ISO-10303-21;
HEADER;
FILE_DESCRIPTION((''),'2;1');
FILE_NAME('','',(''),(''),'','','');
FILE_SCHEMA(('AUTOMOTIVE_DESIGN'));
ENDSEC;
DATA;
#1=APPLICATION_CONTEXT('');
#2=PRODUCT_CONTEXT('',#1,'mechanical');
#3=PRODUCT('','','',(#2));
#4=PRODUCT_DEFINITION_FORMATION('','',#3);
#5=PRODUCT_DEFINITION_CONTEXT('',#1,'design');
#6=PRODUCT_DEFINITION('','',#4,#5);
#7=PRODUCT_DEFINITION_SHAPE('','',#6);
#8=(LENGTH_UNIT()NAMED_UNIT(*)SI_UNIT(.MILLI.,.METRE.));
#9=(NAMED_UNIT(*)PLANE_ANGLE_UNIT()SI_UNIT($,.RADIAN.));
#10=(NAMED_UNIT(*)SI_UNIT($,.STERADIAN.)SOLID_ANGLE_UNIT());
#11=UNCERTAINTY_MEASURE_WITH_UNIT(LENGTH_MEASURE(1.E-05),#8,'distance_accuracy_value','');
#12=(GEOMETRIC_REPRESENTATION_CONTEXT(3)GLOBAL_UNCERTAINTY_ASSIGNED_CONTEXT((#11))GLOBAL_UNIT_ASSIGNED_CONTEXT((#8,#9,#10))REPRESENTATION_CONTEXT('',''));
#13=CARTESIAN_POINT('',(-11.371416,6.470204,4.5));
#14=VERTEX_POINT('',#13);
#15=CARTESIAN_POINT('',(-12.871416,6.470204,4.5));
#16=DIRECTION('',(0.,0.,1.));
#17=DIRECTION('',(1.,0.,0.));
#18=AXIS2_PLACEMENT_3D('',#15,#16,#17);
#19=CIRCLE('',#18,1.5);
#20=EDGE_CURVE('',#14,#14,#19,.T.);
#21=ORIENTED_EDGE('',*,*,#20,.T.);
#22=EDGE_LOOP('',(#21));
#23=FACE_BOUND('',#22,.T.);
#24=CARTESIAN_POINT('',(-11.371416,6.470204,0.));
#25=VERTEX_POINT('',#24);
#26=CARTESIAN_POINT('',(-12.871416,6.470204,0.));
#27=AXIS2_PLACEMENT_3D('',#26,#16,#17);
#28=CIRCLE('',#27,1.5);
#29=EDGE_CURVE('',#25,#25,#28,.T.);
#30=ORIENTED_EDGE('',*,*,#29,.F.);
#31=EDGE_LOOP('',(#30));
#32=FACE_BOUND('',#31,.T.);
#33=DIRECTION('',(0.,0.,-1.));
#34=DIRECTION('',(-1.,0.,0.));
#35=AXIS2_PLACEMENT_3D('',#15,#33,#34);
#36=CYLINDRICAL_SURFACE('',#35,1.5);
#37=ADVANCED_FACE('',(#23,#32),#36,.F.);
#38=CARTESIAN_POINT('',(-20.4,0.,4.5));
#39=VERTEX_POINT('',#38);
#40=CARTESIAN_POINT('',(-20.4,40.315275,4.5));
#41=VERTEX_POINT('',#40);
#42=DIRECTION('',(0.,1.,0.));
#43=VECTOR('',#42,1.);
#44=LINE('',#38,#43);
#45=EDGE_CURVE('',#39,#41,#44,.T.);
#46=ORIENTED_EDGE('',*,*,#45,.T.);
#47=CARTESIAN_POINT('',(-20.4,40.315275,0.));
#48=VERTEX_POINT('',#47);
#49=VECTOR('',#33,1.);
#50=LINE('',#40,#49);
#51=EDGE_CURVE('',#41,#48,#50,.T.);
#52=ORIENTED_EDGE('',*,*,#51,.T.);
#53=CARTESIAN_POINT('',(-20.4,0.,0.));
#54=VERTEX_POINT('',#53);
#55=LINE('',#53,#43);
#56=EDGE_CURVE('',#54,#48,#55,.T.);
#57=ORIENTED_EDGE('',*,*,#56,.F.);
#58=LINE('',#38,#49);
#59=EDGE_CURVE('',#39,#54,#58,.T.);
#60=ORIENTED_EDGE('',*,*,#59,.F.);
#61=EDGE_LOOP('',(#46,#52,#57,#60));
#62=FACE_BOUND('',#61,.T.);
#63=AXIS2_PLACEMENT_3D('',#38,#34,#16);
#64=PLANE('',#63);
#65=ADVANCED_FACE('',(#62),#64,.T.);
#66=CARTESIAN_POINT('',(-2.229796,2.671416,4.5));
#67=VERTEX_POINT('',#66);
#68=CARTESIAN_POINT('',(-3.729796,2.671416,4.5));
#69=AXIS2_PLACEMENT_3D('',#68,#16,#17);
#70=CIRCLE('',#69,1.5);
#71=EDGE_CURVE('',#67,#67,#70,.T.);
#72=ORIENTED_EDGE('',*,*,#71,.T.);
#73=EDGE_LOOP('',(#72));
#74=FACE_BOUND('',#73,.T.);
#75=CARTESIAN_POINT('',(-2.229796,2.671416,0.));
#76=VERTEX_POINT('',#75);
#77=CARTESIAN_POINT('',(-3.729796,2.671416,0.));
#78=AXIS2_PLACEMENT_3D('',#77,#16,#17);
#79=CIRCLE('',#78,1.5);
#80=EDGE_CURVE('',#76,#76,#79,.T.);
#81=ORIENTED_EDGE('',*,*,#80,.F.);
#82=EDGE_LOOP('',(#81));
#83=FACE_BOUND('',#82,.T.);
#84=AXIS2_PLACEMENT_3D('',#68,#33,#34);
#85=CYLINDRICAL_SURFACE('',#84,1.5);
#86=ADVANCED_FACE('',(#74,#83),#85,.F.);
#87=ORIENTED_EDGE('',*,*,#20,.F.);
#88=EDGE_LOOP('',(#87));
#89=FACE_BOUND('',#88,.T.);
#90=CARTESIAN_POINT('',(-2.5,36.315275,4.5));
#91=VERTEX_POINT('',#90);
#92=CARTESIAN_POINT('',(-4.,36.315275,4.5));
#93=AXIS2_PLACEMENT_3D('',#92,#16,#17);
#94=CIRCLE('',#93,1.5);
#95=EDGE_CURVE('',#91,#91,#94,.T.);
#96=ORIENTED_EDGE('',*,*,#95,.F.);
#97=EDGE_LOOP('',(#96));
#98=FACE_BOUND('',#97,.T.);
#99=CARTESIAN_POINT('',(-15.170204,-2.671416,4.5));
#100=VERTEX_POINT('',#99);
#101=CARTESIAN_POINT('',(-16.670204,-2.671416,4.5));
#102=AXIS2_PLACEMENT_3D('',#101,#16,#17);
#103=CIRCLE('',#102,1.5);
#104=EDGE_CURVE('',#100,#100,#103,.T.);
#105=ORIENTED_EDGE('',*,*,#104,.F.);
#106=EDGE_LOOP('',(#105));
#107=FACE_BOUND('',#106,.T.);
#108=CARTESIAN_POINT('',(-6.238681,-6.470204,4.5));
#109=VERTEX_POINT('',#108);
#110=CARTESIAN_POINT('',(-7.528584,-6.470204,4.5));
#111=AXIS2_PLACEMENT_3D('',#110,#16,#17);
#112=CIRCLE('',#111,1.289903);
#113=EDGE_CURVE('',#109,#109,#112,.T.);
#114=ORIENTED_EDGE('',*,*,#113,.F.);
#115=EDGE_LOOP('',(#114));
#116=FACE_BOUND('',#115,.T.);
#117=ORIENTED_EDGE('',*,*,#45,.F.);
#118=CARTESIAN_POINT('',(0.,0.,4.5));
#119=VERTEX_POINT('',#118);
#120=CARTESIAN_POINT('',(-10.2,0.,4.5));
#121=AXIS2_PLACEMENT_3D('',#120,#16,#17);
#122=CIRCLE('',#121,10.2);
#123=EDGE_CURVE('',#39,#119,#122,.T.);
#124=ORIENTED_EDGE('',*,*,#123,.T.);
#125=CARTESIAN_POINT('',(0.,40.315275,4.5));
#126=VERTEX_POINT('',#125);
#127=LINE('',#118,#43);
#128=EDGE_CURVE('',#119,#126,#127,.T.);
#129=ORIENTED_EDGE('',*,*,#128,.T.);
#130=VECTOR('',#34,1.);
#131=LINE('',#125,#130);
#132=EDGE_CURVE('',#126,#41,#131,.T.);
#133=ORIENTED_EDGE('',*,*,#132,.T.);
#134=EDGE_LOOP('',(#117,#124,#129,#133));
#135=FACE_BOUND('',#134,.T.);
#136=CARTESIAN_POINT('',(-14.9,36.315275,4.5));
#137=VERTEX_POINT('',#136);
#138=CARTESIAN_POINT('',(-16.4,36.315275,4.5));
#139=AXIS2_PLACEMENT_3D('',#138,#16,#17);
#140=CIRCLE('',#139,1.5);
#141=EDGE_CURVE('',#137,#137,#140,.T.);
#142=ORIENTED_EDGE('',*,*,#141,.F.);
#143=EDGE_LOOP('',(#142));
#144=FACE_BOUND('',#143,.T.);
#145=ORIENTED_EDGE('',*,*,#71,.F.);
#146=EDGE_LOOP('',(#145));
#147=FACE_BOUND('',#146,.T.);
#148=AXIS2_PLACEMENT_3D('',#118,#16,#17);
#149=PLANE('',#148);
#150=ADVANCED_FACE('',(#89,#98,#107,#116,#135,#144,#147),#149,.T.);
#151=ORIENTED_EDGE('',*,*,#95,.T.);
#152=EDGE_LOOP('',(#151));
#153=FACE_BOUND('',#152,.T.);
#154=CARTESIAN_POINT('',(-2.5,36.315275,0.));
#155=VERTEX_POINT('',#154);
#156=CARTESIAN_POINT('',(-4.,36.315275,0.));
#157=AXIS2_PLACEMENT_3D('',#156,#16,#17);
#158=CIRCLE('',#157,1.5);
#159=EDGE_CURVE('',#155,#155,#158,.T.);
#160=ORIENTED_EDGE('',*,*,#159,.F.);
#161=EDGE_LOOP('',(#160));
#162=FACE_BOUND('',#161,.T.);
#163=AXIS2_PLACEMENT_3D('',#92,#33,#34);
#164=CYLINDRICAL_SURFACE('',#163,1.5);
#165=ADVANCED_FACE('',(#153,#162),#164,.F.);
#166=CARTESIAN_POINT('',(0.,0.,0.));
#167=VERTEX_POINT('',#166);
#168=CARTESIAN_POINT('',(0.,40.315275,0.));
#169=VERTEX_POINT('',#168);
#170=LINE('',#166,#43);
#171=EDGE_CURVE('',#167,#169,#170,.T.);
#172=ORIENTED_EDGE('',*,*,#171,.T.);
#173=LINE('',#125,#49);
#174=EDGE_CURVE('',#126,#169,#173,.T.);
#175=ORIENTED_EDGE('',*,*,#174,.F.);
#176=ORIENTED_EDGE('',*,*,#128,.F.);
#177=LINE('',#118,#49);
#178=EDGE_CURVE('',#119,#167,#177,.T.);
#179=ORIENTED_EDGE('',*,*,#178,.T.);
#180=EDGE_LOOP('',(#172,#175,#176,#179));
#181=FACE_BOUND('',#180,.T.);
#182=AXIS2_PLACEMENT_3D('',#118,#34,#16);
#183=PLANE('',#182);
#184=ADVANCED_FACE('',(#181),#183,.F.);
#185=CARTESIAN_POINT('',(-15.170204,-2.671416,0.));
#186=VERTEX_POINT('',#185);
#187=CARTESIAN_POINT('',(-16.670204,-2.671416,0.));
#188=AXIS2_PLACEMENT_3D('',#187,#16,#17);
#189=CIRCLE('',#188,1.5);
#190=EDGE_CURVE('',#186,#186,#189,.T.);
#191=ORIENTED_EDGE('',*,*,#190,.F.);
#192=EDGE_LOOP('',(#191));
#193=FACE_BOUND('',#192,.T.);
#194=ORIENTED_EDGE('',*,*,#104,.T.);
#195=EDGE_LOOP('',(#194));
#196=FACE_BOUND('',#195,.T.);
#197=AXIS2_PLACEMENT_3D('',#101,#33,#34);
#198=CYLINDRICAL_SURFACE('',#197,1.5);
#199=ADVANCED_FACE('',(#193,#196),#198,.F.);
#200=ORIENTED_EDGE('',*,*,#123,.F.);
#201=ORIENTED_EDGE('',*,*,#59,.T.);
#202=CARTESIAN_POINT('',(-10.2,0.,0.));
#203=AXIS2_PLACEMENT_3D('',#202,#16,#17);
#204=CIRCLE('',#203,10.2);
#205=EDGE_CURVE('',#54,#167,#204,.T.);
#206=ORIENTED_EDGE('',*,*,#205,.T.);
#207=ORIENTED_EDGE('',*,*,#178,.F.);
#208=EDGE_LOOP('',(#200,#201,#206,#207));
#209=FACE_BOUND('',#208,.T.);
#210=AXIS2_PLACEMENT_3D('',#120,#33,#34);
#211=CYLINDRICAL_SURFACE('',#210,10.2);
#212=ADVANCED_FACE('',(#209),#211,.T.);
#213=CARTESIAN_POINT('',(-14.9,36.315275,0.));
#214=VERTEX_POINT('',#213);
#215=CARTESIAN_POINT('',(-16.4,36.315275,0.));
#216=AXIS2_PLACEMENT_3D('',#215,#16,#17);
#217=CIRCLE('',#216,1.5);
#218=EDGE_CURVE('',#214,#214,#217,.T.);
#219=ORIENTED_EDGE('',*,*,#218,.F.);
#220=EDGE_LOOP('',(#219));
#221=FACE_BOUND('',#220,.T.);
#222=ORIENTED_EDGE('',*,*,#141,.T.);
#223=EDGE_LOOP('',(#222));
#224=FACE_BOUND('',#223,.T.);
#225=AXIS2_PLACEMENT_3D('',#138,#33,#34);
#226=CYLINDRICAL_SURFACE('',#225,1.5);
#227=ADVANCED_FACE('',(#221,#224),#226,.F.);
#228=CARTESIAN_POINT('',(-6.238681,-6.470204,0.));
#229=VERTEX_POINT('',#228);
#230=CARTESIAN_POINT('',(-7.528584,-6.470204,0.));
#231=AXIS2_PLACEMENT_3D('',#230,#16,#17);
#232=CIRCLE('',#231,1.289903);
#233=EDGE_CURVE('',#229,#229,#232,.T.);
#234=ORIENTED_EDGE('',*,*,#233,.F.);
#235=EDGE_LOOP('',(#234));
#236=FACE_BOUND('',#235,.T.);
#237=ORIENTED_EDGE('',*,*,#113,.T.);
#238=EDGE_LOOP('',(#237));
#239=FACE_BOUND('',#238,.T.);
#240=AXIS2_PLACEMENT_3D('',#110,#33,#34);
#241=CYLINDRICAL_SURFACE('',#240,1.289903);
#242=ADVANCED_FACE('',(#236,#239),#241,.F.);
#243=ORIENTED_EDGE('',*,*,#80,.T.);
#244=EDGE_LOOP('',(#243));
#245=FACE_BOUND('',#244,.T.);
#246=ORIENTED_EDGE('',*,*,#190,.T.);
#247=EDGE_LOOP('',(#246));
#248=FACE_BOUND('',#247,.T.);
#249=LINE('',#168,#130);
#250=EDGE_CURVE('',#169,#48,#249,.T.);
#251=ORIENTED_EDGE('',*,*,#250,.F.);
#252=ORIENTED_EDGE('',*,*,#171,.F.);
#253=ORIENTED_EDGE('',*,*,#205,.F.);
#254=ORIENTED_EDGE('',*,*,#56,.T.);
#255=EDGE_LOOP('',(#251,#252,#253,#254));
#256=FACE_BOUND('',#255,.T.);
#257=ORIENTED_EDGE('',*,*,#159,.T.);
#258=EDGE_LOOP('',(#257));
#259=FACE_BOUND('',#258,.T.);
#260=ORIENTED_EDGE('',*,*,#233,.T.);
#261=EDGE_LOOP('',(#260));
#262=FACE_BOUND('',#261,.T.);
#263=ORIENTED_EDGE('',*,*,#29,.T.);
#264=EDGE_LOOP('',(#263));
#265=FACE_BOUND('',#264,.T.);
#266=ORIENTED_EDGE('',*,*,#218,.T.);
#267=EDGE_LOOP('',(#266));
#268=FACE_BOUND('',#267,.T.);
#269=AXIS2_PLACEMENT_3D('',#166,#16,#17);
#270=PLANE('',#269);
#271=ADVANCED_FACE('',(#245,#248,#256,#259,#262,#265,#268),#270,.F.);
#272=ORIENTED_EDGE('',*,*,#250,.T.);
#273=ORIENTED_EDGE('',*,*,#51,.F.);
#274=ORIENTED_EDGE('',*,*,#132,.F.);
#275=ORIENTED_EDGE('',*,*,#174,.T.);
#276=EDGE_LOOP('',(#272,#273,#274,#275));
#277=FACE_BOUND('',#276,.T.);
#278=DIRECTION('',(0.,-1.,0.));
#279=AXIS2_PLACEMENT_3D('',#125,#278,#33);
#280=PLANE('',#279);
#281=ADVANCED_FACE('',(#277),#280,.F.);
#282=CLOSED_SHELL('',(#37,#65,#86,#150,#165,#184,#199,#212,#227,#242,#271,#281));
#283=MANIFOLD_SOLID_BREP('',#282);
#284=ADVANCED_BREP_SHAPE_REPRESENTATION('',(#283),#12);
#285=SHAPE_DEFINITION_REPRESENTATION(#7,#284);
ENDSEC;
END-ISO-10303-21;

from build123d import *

# Parameters (mm, degrees)
SKETCH1_R           = 1.5
SKETCH1_R_2         = 1.289902994
BOSS_EXTRUDE1_DEPTH = 4.5


with BuildPart() as part:
    # Sketch1 → Boss-Extrude1 (new body)
    # profile 1 of 3: a face of its own
    with BuildSketch(Plane.XY):
        with BuildLine():
            ThreePointArc((-20.4, 0), (-10.2, 10.2), (0, 0))
            Line((0, 0), (0, 40.315274694))
            Line((0, 40.315274694), (-20.4, 40.315274694))
            Line((-20.4, 40.315274694), (-20.4, 0))
        make_face()
        with Locations((-16.4, 36.315274694)):
            Circle(SKETCH1_R, mode=Mode.SUBTRACT)
        with Locations((-4, 36.315274694)):
            Circle(SKETCH1_R, mode=Mode.SUBTRACT)
    # profile 2 of 3: a face of its own
    with BuildSketch(Plane.XY):
        with BuildLine():
            ThreePointArc((-20.4, 0), (-10.2, -10.2), (0, 0))
            Line((0, 0), (-20.4, 0))
        make_face()
        with Locations((-16.670203746, -2.671416008)):
            Circle(SKETCH1_R, mode=Mode.SUBTRACT)
        with Locations((-7.528583992, -6.470203746)):
            Circle(SKETCH1_R_2, mode=Mode.SUBTRACT)
    # profile 3 of 3: a face of its own
    with BuildSketch(Plane.XY):
        with BuildLine():
            Line((-20.4, 0), (0, 0))
            ThreePointArc((0, 0), (-10.2, 10.2), (-20.4, 0))
        make_face()
        with Locations((-12.871416008, 6.470203746)):
            Circle(SKETCH1_R, mode=Mode.SUBTRACT)
        with Locations((-3.729796254, 2.671416008)):
            Circle(SKETCH1_R, mode=Mode.SUBTRACT)
    extrude(amount=BOSS_EXTRUDE1_DEPTH)


solid = part.part
